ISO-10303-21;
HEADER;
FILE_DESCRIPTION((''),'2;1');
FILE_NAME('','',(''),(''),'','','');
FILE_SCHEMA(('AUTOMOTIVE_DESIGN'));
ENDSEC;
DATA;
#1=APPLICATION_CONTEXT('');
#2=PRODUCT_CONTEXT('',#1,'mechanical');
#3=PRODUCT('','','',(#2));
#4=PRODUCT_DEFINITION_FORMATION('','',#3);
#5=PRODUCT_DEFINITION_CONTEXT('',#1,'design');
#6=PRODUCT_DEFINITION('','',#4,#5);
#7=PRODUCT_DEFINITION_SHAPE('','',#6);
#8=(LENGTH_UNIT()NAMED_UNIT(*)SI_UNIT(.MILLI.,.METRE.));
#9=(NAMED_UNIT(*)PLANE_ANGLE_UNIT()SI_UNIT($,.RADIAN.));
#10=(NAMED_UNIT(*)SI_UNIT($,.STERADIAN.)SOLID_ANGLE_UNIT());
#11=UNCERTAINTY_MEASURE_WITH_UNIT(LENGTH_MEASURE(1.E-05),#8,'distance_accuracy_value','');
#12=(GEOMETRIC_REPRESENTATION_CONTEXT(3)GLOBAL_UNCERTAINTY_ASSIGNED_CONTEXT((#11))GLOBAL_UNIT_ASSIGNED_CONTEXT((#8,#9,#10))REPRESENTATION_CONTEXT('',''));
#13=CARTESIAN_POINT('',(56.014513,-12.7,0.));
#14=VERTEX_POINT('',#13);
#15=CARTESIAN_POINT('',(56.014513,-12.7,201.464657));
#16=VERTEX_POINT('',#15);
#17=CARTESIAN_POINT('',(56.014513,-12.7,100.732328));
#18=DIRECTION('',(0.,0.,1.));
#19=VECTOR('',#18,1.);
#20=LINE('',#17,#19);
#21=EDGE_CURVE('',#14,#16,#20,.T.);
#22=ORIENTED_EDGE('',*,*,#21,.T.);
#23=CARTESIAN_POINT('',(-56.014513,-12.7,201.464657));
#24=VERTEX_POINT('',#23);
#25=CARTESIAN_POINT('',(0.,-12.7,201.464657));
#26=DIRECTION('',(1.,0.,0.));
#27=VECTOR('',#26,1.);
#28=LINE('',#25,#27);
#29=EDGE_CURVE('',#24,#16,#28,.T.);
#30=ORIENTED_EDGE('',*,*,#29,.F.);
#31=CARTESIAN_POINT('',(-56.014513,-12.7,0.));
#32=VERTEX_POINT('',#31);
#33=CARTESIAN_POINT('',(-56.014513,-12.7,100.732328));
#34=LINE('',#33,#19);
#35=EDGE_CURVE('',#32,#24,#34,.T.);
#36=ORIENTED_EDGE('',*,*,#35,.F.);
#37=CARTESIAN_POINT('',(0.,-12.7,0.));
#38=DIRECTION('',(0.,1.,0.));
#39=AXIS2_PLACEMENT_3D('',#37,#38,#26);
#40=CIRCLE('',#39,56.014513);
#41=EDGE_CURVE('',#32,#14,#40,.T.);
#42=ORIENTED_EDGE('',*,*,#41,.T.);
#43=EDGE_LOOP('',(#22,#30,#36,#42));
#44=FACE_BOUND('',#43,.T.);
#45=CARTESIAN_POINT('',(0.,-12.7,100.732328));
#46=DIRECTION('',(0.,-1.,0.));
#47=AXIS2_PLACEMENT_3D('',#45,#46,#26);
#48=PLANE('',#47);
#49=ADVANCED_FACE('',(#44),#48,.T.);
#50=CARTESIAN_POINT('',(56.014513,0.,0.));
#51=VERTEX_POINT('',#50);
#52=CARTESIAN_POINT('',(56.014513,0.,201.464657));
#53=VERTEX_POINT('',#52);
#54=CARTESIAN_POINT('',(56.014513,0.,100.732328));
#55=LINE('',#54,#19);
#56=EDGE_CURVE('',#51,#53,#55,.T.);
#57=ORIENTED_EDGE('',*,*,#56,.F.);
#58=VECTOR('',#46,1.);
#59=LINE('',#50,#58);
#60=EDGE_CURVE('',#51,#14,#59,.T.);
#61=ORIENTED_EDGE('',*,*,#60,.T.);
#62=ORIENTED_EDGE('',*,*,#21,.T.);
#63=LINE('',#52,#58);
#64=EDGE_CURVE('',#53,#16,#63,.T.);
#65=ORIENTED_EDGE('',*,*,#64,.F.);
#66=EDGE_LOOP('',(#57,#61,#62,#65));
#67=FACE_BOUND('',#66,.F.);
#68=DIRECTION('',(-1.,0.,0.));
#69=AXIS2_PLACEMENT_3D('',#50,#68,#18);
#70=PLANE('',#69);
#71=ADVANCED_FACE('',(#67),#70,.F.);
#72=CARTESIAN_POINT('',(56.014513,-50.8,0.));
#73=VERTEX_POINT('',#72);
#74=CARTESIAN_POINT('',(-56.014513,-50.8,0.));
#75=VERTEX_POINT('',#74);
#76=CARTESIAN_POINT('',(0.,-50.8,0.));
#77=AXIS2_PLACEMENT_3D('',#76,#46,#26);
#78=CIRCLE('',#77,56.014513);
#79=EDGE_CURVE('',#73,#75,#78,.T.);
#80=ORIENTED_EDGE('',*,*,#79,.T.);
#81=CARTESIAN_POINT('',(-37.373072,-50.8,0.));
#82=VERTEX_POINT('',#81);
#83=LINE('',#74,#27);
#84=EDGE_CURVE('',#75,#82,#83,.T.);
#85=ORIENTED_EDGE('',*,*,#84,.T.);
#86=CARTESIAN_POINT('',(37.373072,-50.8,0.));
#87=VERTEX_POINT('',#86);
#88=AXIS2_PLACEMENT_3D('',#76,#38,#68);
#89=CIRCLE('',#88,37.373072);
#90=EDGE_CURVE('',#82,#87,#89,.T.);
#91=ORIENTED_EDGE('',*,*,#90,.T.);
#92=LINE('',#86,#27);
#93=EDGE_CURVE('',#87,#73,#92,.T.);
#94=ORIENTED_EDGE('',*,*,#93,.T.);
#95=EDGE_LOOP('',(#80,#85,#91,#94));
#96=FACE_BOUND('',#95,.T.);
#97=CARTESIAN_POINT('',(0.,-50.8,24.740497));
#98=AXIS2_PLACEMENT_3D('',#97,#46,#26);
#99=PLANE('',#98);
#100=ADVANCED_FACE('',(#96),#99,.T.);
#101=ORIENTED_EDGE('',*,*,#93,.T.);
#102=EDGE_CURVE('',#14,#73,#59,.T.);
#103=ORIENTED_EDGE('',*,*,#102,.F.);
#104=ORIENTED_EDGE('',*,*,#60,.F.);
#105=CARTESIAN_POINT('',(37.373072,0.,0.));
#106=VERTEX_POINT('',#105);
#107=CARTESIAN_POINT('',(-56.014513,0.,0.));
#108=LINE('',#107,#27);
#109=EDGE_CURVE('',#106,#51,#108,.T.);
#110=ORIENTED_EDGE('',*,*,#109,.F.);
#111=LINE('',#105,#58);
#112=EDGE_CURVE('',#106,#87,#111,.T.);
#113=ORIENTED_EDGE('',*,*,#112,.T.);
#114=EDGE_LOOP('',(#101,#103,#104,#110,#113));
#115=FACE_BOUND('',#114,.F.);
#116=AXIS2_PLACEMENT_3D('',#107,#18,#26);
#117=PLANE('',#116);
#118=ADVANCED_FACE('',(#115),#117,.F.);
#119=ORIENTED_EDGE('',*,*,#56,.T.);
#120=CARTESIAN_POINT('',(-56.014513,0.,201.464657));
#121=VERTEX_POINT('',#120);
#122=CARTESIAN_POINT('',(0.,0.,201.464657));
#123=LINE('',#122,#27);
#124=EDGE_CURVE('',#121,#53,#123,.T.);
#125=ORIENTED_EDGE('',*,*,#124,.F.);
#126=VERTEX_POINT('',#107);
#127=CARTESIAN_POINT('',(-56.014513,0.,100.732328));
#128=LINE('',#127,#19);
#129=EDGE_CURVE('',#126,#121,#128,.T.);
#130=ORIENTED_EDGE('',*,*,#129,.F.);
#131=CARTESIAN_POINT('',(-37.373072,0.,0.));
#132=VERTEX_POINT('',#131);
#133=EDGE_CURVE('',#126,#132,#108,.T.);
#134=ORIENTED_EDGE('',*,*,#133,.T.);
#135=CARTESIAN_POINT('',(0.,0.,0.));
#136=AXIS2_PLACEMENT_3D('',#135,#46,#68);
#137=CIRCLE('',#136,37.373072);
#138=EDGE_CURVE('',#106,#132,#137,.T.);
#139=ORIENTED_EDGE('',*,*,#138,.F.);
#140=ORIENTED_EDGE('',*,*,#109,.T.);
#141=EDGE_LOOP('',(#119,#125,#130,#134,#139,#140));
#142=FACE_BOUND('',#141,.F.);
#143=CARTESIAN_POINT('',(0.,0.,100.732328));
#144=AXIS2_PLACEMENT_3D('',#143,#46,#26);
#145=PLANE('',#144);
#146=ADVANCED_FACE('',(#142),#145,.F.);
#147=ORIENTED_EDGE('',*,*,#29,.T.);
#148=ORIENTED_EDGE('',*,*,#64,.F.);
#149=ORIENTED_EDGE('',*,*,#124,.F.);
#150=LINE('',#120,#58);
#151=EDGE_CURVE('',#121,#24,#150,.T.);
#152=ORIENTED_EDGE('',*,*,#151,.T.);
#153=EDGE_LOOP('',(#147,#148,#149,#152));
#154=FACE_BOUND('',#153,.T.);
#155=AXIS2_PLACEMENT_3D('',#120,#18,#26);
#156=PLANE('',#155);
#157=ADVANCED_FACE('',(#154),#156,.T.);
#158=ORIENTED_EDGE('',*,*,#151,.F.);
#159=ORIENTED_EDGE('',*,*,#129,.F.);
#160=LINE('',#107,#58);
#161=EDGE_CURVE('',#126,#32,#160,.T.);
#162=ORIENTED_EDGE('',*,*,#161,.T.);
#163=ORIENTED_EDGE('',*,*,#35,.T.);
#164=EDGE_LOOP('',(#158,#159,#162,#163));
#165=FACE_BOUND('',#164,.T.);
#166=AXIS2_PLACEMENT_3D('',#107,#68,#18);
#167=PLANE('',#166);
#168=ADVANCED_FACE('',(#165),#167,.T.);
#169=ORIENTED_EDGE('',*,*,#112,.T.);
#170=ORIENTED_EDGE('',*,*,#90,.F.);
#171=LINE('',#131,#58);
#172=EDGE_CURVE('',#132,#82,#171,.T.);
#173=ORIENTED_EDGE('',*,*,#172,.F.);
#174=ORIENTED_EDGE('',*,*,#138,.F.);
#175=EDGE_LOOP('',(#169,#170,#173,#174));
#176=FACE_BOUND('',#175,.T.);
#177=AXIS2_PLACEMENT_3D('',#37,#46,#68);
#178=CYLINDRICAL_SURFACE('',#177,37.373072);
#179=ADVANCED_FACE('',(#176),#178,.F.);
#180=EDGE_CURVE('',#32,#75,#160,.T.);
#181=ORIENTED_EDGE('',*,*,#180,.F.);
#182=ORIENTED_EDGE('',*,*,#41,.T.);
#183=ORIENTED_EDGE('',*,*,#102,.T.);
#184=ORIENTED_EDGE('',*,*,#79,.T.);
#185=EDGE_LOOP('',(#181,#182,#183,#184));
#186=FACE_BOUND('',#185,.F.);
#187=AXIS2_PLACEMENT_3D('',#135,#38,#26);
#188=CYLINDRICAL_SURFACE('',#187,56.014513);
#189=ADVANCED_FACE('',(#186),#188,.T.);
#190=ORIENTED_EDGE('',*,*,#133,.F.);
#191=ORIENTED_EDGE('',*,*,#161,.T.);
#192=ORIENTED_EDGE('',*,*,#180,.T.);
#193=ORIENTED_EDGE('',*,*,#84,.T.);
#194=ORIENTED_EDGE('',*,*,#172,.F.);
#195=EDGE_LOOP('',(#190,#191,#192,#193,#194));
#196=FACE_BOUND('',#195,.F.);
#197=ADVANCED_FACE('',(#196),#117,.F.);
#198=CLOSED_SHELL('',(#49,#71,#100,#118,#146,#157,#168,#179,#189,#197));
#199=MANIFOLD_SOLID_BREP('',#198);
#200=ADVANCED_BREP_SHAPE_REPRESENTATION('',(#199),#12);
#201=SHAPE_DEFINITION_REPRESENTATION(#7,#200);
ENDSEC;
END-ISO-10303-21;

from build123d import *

# Parameters (mm, degrees)
F1_W     = 112.0290251324
F1_H     = 201.4646567404
F2_DEPTH = 12.7
F3_DEPTH = 50.8
F4_DEPTH = 25.4


with BuildPart() as f2:
    # F1 (on Front) → F2 (new body)
    with BuildSketch(Plane.XZ):
        with Locations((0, 100.7323283702)):
            Rectangle(F1_W, F1_H)
    extrude(amount=F2_DEPTH)

    # F0 (on Front) → F3 (join)
    with BuildSketch(Plane.XZ):
        with BuildLine():
            ThreePointArc((-37.3730720306, 0), (0, 37.3730720306), (37.3730720306, 0))
            Line((37.3730720306, 0), (56.0145125662, 0))
            ThreePointArc((56.0145125662, 0), (0, 56.0145125662), (-56.0145125662, 0))
            Line((-56.0145125662, 0), (-37.3730720306, 0))
        make_face()
    extrude(amount=F3_DEPTH)

    # F4 (cut): a face of the model
    f4_faces = [f2.faces().sort_by_distance(p)[0] for p in [
        (0, -12.7, 15.8616244059),
    ]]
    extrude(f4_faces, amount=-F4_DEPTH, mode=Mode.SUBTRACT)


solid = f2.part
